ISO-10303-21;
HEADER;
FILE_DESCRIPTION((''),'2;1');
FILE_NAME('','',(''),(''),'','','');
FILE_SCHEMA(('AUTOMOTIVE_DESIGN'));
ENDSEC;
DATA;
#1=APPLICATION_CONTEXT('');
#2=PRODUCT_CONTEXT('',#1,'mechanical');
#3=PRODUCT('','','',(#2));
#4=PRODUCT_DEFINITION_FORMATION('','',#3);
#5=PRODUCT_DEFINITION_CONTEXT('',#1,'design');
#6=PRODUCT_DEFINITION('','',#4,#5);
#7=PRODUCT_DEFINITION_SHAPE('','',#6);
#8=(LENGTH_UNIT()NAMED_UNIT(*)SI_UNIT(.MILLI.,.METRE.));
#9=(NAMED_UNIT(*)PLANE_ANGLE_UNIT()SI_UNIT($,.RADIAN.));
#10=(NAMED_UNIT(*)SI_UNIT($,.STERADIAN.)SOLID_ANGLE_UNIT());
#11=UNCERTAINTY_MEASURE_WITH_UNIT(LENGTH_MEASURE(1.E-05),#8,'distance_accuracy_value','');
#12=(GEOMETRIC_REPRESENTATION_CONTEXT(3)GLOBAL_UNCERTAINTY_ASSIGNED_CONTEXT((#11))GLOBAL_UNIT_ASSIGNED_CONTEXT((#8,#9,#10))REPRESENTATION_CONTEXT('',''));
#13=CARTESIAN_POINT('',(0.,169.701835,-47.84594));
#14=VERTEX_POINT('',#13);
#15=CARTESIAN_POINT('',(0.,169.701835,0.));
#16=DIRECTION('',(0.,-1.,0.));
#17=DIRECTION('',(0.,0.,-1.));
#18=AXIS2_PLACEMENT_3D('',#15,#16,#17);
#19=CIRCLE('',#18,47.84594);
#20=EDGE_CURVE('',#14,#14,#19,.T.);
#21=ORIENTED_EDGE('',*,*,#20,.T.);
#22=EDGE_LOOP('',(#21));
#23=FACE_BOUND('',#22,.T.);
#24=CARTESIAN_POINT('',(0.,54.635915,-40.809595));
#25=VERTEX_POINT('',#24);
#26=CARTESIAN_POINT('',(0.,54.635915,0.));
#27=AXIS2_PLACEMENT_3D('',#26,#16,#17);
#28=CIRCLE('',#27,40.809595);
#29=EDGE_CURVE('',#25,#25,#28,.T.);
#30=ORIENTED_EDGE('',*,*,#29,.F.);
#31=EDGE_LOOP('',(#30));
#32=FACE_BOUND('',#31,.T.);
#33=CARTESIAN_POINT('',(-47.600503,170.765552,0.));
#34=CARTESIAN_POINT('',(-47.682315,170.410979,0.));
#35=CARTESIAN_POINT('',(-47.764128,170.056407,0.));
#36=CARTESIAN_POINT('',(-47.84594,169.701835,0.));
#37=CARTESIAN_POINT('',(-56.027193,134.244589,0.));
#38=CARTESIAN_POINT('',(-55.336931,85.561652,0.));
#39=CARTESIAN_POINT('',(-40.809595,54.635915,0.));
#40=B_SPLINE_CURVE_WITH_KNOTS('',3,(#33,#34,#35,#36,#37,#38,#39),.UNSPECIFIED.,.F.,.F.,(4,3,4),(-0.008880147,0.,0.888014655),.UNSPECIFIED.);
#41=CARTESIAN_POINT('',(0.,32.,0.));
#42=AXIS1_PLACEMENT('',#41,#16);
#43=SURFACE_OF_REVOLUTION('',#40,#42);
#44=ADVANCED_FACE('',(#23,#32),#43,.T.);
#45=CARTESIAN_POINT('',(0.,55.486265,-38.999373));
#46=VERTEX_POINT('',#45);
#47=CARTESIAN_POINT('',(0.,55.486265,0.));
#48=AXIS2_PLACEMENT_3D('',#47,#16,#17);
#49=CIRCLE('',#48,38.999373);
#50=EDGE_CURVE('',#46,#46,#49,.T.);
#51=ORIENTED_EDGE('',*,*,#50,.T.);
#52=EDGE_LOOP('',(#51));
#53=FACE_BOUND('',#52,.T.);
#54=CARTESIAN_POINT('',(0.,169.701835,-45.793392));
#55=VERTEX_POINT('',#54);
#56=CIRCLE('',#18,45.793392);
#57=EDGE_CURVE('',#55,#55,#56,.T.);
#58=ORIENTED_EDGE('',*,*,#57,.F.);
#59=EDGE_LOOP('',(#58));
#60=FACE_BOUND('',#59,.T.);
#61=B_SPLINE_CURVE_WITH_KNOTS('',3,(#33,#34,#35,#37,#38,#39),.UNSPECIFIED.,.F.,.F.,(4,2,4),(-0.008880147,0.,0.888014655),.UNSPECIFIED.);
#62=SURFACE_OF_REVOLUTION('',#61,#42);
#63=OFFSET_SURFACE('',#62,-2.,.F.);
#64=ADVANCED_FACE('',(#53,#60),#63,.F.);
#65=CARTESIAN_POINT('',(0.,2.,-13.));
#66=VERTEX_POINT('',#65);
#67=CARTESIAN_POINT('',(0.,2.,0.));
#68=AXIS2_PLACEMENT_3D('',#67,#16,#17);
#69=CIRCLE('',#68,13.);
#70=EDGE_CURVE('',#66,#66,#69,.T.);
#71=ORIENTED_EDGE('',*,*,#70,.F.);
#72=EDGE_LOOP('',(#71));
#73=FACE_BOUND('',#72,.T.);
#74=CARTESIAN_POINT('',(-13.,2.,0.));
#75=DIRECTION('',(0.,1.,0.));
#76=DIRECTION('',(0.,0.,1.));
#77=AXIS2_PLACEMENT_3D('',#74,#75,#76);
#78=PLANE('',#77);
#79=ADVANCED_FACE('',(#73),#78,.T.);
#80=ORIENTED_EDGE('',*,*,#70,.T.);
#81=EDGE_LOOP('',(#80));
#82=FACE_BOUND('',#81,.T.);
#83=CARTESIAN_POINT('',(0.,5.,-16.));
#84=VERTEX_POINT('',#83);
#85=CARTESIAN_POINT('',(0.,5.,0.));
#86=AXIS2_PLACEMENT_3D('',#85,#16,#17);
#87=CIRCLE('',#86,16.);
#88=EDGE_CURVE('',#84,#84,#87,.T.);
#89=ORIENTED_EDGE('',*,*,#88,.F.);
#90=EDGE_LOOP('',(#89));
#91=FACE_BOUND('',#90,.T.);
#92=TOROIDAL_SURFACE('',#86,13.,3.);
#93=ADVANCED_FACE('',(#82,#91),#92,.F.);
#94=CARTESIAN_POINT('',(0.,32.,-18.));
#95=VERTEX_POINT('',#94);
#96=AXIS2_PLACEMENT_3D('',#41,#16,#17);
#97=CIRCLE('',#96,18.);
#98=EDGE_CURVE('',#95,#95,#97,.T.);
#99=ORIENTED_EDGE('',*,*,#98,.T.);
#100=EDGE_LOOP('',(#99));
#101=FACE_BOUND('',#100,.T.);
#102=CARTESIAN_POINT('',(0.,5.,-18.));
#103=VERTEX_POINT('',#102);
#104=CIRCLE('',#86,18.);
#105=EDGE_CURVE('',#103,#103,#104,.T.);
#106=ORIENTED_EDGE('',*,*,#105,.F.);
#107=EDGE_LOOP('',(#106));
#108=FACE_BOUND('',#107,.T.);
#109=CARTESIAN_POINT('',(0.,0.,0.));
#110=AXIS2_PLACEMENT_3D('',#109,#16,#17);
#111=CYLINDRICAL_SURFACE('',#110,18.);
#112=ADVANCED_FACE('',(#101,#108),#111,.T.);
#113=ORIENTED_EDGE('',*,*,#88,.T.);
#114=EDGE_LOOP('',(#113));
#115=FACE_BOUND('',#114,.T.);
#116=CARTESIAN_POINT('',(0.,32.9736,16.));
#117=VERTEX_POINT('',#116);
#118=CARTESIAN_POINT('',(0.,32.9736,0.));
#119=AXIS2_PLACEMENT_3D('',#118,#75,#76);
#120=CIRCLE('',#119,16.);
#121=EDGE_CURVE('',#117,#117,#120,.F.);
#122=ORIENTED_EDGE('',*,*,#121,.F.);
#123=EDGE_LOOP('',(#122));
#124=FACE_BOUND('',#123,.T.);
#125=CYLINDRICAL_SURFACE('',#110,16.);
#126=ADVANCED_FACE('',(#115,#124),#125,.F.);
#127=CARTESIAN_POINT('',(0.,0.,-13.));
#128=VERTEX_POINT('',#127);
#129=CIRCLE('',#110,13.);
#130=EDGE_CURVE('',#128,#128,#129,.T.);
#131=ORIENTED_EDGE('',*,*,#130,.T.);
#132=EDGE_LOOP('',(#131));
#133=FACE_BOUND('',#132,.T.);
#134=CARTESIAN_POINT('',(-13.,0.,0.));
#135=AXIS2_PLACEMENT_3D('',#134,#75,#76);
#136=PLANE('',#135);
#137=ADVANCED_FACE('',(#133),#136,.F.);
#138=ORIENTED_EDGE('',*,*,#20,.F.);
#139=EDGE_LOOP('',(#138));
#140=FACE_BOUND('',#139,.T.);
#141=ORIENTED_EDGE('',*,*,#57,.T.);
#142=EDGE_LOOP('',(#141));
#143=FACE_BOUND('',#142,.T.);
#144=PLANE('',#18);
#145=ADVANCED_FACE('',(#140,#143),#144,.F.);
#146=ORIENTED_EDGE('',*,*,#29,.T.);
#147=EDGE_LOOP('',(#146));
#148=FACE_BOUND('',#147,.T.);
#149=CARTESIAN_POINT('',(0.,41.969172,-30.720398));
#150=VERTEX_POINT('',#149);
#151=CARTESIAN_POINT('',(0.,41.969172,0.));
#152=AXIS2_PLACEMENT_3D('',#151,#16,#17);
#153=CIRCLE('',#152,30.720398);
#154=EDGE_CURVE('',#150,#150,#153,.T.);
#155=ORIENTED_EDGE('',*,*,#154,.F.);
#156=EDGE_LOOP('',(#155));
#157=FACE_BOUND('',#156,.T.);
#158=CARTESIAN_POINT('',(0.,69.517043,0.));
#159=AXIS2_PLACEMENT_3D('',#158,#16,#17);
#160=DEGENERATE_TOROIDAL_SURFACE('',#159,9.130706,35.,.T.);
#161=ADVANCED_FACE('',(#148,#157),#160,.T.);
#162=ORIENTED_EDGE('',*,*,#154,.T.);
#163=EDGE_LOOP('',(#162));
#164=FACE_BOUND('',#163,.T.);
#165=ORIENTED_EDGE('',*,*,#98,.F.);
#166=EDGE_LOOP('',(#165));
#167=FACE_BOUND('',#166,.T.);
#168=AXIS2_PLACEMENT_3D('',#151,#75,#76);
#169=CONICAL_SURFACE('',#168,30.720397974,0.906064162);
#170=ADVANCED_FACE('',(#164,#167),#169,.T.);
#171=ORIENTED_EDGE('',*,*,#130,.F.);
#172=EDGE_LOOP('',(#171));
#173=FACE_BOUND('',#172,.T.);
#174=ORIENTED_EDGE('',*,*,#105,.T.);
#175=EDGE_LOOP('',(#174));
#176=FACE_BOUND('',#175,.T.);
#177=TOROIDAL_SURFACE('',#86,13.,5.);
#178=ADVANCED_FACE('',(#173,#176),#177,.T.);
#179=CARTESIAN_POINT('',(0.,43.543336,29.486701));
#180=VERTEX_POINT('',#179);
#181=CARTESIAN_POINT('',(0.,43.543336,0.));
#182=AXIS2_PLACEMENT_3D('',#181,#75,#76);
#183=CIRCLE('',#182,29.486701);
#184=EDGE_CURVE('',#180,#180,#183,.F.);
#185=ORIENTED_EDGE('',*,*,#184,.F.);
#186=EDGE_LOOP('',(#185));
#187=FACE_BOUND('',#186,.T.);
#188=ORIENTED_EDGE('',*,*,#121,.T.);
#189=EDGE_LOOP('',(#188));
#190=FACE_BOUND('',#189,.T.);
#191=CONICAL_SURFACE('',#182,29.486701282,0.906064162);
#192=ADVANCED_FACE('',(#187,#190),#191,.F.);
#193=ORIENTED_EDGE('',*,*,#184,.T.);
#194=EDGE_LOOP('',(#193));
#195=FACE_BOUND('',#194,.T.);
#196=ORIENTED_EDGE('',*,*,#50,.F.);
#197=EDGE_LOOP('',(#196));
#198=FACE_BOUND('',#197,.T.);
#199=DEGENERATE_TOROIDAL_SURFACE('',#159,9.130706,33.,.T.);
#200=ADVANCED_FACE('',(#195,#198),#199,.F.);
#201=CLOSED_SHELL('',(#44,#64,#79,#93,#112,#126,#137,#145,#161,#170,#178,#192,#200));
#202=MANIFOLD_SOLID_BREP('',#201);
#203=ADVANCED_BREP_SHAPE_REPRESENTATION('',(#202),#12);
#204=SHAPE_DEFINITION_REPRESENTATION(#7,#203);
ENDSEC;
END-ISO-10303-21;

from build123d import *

# Parameters (mm, degrees)
SHELL1_T = -2


with BuildPart() as part:
    # Sketch1 → Revolve1 (revolve)
    with BuildSketch(Plane.XY, mode=Mode.PRIVATE) as revolve1_sk:
        with BuildLine():
            Line((0, 0), (0, 32))
            Line((0, 32), (-18, 32))
            Line((-18, 32), (-18, 5))
            ThreePointArc((-18, 5), (-16.535533906, 1.464466094), (-13, 0))
            Line((-13, 0), (0, 0))
        make_face()
    revolve(revolve1_sk.sketch.rotate(Axis((0, 0, 0), (0, 1, 0)), 270), axis=Axis((0, 0, 0), (0, 1, 0)))

    # Sketch2 → Revolve2 (revolve)
    with BuildSketch(Plane.XY, mode=Mode.PRIVATE) as revolve2_sk:
        with BuildLine():
            Line((0, 32), (0, 169.701834533))
            Line((0, 169.701834533), (-47.845940494, 169.701834533))
            add(Edge.make_bspline(
                [(-47.845940494, 169.701834533), (-56.027192674, 134.244588915), (-55.336931304, 85.561652437), (-40.809594918, 54.63591482)],
                knots=[0, 0, 0, 0, 0.888014655, 0.888014655, 0.888014655, 0.888014655], degree=3))
            ThreePointArc((-40.809594918, 54.63591482), (-36.507649182, 47.711012715), (-30.720397974, 41.96917244))
            Line((-30.720397974, 41.96917244), (-18, 32))
            Line((-18, 32), (0, 32))
        make_face()
    revolve(revolve2_sk.sketch.rotate(Axis((0, 32, 0), (0, 1, 0)), 270), axis=Axis((0, 32, 0), (0, 1, 0)))

    # Shell1
    shell1_openings = [part.faces().sort_by_distance(p)[0] for p in [
        (0, 169.701834533, 0),
    ]]
    offset(amount=SHELL1_T, openings=shell1_openings, kind=Kind.INTERSECTION)


solid = part.part
